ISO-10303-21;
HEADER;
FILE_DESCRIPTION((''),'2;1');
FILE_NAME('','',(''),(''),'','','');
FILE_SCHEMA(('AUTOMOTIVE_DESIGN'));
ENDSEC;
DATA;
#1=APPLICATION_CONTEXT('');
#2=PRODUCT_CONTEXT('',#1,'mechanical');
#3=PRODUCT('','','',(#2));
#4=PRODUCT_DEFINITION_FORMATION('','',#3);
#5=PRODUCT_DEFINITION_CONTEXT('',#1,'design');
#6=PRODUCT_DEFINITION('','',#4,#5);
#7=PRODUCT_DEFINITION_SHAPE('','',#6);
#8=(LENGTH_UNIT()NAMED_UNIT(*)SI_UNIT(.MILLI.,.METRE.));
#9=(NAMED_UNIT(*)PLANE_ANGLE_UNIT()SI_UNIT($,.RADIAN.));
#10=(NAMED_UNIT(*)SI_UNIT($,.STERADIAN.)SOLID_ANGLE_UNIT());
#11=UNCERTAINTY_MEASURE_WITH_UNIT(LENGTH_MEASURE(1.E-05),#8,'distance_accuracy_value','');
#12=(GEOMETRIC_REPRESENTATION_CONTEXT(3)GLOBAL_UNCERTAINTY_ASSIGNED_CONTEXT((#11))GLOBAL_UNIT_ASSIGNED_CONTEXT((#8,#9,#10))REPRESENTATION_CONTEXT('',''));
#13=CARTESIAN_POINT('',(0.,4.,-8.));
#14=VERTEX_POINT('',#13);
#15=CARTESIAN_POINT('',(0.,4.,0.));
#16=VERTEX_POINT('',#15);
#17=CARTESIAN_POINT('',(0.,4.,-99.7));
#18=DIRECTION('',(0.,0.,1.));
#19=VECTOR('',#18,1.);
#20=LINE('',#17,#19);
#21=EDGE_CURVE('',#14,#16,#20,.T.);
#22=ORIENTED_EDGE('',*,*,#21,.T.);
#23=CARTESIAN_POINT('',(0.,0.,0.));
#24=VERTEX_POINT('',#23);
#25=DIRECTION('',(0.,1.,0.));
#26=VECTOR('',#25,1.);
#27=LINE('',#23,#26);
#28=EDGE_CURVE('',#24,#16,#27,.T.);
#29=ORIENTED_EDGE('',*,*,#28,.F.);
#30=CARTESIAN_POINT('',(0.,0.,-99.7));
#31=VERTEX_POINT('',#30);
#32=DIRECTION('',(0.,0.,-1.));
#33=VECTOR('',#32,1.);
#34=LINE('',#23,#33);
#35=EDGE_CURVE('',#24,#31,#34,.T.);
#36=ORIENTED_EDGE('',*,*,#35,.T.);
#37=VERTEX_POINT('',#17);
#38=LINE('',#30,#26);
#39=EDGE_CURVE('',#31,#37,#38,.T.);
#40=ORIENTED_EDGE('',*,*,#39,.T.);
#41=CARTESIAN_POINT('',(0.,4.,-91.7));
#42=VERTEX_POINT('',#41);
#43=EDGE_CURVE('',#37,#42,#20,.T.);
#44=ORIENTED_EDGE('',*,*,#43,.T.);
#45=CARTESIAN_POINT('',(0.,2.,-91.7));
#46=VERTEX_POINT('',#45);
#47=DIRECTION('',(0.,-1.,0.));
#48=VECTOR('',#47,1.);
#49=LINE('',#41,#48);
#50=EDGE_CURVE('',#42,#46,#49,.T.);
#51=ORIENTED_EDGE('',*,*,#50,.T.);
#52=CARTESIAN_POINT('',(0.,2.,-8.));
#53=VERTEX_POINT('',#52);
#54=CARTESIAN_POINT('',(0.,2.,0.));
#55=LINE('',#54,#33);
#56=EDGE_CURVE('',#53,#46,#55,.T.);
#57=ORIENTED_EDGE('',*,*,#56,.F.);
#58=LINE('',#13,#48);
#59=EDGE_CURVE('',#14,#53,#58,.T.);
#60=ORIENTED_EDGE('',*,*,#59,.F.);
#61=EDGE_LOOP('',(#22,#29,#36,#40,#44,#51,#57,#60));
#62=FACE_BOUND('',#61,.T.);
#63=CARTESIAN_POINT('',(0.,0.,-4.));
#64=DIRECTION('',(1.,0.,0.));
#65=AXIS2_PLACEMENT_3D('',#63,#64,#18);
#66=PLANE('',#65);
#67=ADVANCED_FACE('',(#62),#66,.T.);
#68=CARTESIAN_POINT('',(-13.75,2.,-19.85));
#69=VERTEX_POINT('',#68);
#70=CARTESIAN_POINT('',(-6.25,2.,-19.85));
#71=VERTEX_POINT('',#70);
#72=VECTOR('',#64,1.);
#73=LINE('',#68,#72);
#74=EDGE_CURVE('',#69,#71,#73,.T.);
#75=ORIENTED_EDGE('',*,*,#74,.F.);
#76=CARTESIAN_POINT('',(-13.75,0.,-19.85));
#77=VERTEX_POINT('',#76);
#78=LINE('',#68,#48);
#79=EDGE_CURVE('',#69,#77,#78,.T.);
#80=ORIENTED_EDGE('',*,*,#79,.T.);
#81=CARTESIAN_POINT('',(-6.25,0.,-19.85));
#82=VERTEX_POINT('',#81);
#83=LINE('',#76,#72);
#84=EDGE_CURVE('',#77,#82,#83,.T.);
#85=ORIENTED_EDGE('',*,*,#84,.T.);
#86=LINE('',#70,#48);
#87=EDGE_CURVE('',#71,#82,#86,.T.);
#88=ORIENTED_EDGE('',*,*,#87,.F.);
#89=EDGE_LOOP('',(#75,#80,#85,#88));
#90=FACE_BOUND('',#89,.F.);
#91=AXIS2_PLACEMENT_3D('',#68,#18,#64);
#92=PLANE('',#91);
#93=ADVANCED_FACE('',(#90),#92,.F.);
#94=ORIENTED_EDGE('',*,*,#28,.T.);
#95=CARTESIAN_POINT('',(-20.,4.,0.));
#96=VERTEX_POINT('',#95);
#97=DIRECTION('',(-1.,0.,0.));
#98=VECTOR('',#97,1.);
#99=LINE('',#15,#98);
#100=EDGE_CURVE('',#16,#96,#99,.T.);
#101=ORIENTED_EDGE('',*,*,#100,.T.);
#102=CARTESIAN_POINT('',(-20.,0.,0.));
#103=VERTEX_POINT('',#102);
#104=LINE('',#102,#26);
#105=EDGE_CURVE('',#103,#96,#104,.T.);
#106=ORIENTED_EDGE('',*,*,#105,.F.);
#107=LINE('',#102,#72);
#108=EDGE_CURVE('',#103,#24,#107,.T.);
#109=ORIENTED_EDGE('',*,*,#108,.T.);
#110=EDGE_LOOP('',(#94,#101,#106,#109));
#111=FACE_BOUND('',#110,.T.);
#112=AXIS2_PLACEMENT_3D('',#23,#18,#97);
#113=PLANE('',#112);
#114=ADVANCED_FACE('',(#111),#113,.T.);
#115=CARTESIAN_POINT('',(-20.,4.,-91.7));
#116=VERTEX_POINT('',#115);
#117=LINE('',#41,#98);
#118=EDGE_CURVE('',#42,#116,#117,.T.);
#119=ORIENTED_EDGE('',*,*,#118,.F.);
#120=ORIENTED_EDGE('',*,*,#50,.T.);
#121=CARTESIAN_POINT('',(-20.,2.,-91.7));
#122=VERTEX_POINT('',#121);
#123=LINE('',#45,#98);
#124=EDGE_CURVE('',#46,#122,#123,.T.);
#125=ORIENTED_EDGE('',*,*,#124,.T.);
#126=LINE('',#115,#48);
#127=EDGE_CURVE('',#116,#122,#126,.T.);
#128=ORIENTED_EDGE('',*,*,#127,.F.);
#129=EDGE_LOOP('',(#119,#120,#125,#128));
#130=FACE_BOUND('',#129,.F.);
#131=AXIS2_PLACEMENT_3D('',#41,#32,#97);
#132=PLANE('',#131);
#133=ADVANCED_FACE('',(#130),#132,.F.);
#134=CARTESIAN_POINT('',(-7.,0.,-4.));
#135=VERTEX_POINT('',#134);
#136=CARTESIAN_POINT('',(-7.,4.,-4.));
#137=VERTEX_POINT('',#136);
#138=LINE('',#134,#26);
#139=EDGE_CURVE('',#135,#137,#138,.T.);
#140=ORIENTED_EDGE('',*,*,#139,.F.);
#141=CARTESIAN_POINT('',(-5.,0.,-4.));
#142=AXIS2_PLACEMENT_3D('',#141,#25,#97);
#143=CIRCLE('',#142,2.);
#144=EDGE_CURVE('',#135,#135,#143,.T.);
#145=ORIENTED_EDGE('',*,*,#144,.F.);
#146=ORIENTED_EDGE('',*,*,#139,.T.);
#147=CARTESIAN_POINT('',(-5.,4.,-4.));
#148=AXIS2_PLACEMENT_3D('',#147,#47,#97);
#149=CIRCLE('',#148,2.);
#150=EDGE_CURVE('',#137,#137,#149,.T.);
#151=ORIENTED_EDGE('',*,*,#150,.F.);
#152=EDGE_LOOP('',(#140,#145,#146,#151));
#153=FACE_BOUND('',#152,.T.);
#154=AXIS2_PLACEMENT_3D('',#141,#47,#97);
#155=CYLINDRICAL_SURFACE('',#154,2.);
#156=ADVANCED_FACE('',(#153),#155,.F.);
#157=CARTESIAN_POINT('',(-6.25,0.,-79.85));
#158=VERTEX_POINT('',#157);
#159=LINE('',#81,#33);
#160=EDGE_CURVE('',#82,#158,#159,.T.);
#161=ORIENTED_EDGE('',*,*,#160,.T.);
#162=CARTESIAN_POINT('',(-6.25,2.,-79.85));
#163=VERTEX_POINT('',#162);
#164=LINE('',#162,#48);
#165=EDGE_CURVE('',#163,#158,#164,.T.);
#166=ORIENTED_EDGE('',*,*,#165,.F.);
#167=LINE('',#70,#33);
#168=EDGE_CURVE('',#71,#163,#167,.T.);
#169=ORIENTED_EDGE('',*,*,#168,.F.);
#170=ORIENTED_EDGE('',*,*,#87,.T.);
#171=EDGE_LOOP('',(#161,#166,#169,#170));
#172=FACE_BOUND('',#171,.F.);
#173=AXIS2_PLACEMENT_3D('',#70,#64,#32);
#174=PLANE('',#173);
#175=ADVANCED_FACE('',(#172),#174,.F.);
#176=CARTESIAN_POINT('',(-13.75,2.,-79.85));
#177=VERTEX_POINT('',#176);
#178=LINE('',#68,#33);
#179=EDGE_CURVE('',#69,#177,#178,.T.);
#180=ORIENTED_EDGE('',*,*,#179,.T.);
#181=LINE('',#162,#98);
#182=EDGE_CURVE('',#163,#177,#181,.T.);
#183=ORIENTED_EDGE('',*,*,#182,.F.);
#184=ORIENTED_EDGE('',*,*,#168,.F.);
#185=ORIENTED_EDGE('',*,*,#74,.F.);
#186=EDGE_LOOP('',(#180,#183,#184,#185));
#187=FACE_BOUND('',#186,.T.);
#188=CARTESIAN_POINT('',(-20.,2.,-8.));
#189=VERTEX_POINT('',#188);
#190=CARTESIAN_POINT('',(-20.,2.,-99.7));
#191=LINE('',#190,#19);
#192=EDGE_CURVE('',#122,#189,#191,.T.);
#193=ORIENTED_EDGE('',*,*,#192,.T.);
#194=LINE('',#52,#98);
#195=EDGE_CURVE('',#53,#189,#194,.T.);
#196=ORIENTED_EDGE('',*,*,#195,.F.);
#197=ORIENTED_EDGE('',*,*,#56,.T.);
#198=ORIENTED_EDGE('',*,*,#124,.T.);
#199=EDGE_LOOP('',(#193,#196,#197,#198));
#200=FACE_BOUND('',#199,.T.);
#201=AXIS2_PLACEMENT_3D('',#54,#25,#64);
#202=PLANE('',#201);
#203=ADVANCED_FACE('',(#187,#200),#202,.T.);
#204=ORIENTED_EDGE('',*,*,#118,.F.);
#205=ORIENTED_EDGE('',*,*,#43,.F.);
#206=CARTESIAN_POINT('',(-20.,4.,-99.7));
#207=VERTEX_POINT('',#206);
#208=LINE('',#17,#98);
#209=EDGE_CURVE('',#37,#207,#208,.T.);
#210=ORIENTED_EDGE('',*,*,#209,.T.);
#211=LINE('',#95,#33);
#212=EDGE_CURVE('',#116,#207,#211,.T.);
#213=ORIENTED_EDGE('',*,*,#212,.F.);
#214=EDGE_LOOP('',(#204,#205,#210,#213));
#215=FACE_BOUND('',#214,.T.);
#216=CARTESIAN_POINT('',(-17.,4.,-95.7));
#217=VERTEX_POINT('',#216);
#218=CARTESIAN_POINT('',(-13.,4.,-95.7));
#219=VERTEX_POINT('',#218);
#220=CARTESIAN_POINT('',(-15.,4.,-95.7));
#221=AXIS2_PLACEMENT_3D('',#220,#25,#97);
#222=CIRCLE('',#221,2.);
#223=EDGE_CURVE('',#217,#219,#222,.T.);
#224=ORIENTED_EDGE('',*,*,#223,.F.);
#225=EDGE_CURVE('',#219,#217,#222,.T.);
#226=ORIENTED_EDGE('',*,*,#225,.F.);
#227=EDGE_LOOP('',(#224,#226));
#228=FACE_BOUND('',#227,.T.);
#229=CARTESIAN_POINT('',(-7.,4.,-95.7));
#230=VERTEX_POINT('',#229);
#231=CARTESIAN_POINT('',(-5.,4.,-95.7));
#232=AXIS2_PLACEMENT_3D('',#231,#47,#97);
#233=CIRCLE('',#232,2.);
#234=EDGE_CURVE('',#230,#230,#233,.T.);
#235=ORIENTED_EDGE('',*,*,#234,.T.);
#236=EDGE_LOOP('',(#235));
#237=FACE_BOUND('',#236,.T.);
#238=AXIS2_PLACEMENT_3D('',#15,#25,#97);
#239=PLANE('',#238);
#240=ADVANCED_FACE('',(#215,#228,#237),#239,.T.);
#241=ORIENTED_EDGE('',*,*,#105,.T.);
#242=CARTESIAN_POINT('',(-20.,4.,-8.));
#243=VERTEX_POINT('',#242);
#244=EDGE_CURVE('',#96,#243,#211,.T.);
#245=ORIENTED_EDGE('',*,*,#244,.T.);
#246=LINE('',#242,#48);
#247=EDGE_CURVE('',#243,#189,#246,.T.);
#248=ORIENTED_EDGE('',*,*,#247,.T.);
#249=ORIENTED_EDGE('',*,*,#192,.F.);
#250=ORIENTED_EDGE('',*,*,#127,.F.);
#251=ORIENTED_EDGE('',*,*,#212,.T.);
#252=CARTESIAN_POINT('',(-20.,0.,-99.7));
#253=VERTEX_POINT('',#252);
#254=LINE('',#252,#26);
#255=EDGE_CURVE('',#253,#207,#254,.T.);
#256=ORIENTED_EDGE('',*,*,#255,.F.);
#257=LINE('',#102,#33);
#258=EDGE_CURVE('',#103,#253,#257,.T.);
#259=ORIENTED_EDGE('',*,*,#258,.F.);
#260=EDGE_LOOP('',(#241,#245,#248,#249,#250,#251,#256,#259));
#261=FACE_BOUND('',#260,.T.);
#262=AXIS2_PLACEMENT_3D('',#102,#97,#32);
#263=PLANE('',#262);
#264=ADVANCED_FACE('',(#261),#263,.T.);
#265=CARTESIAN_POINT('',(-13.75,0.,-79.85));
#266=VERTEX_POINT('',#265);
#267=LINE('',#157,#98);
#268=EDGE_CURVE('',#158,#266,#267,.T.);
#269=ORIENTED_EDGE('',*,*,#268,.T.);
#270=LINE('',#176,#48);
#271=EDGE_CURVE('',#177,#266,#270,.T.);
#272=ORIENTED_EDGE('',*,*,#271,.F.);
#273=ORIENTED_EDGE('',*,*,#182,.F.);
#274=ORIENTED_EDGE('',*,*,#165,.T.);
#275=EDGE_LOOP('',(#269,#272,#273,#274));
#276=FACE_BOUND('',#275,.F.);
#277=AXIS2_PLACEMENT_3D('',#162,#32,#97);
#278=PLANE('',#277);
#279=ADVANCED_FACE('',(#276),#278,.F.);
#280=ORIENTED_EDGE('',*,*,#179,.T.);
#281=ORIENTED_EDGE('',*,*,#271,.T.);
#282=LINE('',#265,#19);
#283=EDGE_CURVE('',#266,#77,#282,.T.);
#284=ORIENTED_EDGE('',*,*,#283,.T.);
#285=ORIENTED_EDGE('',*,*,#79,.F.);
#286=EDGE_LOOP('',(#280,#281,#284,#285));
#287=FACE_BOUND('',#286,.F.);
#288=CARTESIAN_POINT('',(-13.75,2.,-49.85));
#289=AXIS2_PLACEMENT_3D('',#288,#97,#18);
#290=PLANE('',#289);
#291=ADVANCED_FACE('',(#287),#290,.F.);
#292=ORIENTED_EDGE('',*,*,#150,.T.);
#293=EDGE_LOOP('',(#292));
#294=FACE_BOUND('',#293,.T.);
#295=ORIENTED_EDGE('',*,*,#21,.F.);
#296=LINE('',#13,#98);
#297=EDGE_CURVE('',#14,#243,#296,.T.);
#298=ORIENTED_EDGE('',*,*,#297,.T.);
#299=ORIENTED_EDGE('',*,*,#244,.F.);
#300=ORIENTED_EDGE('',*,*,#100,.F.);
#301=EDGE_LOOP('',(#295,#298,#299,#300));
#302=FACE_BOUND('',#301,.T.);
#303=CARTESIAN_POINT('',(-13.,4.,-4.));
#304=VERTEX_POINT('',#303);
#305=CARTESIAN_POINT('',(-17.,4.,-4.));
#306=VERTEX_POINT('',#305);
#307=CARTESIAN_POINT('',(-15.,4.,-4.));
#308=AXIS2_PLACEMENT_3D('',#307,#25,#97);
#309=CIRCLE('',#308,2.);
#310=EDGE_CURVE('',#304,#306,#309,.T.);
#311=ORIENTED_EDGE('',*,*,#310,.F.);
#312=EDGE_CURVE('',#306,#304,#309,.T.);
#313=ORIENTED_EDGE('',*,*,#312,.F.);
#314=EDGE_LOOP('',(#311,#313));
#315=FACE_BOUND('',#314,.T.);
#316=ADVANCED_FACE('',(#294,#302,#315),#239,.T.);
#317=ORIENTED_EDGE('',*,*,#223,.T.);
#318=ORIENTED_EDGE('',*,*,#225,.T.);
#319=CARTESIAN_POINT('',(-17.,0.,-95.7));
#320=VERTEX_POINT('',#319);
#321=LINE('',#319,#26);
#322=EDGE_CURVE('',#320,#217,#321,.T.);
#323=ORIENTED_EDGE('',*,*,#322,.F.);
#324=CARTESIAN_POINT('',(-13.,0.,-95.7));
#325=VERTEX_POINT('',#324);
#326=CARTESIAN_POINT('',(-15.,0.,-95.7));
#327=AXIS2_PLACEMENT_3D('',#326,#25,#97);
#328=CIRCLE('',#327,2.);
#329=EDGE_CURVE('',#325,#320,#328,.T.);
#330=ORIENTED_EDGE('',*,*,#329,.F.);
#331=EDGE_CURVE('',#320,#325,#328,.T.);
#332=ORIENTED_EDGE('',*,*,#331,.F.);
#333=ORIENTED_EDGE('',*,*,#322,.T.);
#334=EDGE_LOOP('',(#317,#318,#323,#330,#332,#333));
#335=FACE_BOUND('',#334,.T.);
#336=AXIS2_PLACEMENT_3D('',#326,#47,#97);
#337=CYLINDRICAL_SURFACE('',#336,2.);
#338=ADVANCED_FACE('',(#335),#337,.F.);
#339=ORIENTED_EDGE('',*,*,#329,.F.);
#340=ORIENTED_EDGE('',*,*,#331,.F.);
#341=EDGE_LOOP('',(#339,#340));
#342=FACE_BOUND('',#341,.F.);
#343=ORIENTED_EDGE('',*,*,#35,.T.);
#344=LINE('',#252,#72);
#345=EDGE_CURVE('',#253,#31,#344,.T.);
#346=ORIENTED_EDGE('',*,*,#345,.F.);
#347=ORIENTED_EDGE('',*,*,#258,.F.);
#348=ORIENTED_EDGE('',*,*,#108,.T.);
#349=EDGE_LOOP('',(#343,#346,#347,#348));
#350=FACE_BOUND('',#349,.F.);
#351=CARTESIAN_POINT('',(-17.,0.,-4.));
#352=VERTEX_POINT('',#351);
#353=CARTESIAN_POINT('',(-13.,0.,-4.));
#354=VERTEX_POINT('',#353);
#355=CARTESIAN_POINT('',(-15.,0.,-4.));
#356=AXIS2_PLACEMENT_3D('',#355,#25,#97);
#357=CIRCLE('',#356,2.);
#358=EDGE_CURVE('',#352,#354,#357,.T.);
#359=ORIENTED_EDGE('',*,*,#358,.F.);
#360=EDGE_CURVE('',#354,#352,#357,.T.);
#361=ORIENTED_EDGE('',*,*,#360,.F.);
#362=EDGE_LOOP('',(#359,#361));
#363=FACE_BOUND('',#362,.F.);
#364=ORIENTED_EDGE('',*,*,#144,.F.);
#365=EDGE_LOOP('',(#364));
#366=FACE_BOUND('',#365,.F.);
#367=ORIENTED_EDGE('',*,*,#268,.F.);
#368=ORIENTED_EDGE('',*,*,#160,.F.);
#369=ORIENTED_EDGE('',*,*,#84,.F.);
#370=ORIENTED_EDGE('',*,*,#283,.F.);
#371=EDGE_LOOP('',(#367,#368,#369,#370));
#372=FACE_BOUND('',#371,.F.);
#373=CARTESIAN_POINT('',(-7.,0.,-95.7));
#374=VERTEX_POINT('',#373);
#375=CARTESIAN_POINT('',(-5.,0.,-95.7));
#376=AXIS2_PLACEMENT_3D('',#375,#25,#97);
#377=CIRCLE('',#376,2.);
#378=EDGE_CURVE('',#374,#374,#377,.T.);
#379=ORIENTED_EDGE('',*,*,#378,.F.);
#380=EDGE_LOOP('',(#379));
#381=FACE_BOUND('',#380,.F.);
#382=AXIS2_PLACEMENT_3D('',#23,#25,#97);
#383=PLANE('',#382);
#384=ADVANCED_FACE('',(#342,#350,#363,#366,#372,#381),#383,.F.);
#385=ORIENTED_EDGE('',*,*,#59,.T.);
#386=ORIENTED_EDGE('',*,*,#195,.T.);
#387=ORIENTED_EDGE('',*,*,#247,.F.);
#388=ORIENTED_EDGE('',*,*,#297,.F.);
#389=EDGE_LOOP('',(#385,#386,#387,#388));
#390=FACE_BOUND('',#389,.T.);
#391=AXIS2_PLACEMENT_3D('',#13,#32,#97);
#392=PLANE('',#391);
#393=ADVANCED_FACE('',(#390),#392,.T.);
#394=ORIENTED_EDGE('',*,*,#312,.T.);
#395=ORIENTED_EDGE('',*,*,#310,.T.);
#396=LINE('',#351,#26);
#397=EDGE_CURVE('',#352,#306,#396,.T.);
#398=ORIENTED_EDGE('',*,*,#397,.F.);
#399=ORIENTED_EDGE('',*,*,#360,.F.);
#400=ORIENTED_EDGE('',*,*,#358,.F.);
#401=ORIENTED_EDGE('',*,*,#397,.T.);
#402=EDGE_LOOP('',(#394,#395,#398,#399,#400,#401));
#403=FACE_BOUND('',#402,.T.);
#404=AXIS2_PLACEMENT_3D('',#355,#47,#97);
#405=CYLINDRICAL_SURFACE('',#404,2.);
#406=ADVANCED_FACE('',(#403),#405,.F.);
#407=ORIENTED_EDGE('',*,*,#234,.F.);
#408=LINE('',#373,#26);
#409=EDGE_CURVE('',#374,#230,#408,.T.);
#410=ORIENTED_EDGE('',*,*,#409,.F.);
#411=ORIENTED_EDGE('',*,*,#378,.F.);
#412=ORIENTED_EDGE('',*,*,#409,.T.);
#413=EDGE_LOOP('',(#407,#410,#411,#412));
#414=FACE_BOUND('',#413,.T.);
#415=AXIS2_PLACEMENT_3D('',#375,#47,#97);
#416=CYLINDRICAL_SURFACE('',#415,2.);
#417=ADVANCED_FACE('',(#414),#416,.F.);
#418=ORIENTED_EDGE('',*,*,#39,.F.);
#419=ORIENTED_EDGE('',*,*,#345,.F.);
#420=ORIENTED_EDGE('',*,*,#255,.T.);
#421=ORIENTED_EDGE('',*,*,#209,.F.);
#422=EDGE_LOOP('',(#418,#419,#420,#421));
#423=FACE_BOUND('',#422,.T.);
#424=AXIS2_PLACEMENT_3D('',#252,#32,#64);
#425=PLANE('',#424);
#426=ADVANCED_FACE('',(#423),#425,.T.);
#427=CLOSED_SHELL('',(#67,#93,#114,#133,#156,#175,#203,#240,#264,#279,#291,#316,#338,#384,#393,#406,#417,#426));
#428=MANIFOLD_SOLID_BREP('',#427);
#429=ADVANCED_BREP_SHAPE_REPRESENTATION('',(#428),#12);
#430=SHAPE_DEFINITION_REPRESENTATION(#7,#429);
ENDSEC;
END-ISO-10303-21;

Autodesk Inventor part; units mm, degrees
ref_plane "YZ Plane" through (0, 0, 0) normal (1, 0, 0) x (0, 1, 0)
ref_plane "XZ Plane" through (0, 0, 0) normal (0, 1, 0) x (-1, 0, 0)
ref_plane "XY Plane" through (0, 0, 0) normal (0, 0, 1) x (1, 0, 0)
sketch "Sketch1" plane through (0, 0, 0) normal (0, 1, 0) x (-1, 0, 0)
  line L0 (0, 0) -> (20, 0)
  line L1 (20, 0) -> (20, -99.7)
  line L2 (20, -99.7) -> (0, -99.7)
  line L3 (0, -99.7) -> (0, 0)
  line L4 (0, 0) -> (5, 0)
  line L5 (5, 0) -> (5, -4)
  line L6 (5, -4) -> (0, -4)
  line L7 (0, -4) -> (0, 0)
  line L8 (0, -99.7) -> (5, -99.7)
  line L9 (5, -99.7) -> (5, -95.7)
  line L10 (5, -95.7) -> (0, -95.7)
  line L11 (0, -95.7) -> (0, -99.7)
  line L12 (5, -4) -> (15, -4)
  line L13 (5, -95.7) -> (15, -95.7)
  circle A0 centre (15, -4) radius 2
  circle A1 centre (5, -4) radius 2
  circle A2 centre (15, -95.7) radius 2
  circle A3 centre (5, -95.7) radius 2
  dimension "d0" = 20
  dimension "d1" = 99.7
  dimension "d2" = 5
  dimension "d3" = 4
  dimension "d4" = 5
  dimension "d5" = 4
  dimension "d6" = 10
  dimension "d7" = 10
  dimension "d8" = 4
  dimension "d9" = 4
  dimension "d10" = 4
  dimension "d11" = 4
extrude "Extrusion1" add sketch "Sketch1" along normal blind 4 contours L0 L5 A1 L6 L3 | L0 L1 L2 L9 A3 L10 L3 L6 A1 L5 | L10 A3 L9 L2 L3
sketch "Sketch2" plane through (0, 4, 0) normal (0, 1, 0) x (1, 0, 0)
  line L0 (-20, 99.7) -> (-20, 0) projected
  line L1 (0, 0) -> (0, 99.7) projected
  line L2 (-20, 0) -> (0, 0)
  line L3 (0, 0) -> (0, 8)
  line L4 (0, 8) -> (-20, 8)
  line L5 (-20, 8) -> (-20, 0)
  line L6 (0, 99.7) -> (-20, 99.7) projected
  line L7 (-20, 99.7) -> (0, 99.7)
  line L8 (0, 99.7) -> (0, 91.7)
  line L9 (0, 91.7) -> (-20, 91.7)
  line L10 (-20, 91.7) -> (-20, 99.7)
  line L11 (-20, 91.7) -> (0, 91.7)
  line L12 (0, 91.7) -> (0, 8)
  line L13 (0, 8) -> (-20, 8)
  line L14 (-20, 8) -> (-20, 91.7)
  dimension "d14" = 8
  dimension "d15" = 8
sketch "Sketch3" plane through (0, 4, 0) normal (0, 1, 0) x (1, 0, 0)
  point P0 (0, 0)
extrude "Extrusion2" cut sketch "Sketch2" against normal blind 2 contours L9 L1 L4 L0
sketch "Sketch4" plane through (0, 2, 0) normal (0, 1, 0) x (1, 0, 0)
  line L0 (-20, 8) -> (-20, 91.7) projected
  line L1 (-20, 49.85) -> (-10, 49.85)
  line L2 (-13.75, 19.85) -> (-6.25, 19.85)
  line L3 (-6.25, 19.85) -> (-6.25, 79.85)
  line L4 (-6.25, 79.85) -> (-13.75, 79.85)
  line L5 (-13.75, 79.85) -> (-13.75, 19.85)
  line L6 (-13.75, 19.85) -> (-6.25, 79.85) construction
  line L7 (-6.25, 19.85) -> (-13.75, 79.85) construction
  point P0 (0, 0)
  dimension "d18" = 10
  dimension "d19" = 7.5
  dimension "d20" = 60
extrude "Extrusion3" cut sketch "Sketch4" against normal blind 2
properties part number "servo2servo_support"
